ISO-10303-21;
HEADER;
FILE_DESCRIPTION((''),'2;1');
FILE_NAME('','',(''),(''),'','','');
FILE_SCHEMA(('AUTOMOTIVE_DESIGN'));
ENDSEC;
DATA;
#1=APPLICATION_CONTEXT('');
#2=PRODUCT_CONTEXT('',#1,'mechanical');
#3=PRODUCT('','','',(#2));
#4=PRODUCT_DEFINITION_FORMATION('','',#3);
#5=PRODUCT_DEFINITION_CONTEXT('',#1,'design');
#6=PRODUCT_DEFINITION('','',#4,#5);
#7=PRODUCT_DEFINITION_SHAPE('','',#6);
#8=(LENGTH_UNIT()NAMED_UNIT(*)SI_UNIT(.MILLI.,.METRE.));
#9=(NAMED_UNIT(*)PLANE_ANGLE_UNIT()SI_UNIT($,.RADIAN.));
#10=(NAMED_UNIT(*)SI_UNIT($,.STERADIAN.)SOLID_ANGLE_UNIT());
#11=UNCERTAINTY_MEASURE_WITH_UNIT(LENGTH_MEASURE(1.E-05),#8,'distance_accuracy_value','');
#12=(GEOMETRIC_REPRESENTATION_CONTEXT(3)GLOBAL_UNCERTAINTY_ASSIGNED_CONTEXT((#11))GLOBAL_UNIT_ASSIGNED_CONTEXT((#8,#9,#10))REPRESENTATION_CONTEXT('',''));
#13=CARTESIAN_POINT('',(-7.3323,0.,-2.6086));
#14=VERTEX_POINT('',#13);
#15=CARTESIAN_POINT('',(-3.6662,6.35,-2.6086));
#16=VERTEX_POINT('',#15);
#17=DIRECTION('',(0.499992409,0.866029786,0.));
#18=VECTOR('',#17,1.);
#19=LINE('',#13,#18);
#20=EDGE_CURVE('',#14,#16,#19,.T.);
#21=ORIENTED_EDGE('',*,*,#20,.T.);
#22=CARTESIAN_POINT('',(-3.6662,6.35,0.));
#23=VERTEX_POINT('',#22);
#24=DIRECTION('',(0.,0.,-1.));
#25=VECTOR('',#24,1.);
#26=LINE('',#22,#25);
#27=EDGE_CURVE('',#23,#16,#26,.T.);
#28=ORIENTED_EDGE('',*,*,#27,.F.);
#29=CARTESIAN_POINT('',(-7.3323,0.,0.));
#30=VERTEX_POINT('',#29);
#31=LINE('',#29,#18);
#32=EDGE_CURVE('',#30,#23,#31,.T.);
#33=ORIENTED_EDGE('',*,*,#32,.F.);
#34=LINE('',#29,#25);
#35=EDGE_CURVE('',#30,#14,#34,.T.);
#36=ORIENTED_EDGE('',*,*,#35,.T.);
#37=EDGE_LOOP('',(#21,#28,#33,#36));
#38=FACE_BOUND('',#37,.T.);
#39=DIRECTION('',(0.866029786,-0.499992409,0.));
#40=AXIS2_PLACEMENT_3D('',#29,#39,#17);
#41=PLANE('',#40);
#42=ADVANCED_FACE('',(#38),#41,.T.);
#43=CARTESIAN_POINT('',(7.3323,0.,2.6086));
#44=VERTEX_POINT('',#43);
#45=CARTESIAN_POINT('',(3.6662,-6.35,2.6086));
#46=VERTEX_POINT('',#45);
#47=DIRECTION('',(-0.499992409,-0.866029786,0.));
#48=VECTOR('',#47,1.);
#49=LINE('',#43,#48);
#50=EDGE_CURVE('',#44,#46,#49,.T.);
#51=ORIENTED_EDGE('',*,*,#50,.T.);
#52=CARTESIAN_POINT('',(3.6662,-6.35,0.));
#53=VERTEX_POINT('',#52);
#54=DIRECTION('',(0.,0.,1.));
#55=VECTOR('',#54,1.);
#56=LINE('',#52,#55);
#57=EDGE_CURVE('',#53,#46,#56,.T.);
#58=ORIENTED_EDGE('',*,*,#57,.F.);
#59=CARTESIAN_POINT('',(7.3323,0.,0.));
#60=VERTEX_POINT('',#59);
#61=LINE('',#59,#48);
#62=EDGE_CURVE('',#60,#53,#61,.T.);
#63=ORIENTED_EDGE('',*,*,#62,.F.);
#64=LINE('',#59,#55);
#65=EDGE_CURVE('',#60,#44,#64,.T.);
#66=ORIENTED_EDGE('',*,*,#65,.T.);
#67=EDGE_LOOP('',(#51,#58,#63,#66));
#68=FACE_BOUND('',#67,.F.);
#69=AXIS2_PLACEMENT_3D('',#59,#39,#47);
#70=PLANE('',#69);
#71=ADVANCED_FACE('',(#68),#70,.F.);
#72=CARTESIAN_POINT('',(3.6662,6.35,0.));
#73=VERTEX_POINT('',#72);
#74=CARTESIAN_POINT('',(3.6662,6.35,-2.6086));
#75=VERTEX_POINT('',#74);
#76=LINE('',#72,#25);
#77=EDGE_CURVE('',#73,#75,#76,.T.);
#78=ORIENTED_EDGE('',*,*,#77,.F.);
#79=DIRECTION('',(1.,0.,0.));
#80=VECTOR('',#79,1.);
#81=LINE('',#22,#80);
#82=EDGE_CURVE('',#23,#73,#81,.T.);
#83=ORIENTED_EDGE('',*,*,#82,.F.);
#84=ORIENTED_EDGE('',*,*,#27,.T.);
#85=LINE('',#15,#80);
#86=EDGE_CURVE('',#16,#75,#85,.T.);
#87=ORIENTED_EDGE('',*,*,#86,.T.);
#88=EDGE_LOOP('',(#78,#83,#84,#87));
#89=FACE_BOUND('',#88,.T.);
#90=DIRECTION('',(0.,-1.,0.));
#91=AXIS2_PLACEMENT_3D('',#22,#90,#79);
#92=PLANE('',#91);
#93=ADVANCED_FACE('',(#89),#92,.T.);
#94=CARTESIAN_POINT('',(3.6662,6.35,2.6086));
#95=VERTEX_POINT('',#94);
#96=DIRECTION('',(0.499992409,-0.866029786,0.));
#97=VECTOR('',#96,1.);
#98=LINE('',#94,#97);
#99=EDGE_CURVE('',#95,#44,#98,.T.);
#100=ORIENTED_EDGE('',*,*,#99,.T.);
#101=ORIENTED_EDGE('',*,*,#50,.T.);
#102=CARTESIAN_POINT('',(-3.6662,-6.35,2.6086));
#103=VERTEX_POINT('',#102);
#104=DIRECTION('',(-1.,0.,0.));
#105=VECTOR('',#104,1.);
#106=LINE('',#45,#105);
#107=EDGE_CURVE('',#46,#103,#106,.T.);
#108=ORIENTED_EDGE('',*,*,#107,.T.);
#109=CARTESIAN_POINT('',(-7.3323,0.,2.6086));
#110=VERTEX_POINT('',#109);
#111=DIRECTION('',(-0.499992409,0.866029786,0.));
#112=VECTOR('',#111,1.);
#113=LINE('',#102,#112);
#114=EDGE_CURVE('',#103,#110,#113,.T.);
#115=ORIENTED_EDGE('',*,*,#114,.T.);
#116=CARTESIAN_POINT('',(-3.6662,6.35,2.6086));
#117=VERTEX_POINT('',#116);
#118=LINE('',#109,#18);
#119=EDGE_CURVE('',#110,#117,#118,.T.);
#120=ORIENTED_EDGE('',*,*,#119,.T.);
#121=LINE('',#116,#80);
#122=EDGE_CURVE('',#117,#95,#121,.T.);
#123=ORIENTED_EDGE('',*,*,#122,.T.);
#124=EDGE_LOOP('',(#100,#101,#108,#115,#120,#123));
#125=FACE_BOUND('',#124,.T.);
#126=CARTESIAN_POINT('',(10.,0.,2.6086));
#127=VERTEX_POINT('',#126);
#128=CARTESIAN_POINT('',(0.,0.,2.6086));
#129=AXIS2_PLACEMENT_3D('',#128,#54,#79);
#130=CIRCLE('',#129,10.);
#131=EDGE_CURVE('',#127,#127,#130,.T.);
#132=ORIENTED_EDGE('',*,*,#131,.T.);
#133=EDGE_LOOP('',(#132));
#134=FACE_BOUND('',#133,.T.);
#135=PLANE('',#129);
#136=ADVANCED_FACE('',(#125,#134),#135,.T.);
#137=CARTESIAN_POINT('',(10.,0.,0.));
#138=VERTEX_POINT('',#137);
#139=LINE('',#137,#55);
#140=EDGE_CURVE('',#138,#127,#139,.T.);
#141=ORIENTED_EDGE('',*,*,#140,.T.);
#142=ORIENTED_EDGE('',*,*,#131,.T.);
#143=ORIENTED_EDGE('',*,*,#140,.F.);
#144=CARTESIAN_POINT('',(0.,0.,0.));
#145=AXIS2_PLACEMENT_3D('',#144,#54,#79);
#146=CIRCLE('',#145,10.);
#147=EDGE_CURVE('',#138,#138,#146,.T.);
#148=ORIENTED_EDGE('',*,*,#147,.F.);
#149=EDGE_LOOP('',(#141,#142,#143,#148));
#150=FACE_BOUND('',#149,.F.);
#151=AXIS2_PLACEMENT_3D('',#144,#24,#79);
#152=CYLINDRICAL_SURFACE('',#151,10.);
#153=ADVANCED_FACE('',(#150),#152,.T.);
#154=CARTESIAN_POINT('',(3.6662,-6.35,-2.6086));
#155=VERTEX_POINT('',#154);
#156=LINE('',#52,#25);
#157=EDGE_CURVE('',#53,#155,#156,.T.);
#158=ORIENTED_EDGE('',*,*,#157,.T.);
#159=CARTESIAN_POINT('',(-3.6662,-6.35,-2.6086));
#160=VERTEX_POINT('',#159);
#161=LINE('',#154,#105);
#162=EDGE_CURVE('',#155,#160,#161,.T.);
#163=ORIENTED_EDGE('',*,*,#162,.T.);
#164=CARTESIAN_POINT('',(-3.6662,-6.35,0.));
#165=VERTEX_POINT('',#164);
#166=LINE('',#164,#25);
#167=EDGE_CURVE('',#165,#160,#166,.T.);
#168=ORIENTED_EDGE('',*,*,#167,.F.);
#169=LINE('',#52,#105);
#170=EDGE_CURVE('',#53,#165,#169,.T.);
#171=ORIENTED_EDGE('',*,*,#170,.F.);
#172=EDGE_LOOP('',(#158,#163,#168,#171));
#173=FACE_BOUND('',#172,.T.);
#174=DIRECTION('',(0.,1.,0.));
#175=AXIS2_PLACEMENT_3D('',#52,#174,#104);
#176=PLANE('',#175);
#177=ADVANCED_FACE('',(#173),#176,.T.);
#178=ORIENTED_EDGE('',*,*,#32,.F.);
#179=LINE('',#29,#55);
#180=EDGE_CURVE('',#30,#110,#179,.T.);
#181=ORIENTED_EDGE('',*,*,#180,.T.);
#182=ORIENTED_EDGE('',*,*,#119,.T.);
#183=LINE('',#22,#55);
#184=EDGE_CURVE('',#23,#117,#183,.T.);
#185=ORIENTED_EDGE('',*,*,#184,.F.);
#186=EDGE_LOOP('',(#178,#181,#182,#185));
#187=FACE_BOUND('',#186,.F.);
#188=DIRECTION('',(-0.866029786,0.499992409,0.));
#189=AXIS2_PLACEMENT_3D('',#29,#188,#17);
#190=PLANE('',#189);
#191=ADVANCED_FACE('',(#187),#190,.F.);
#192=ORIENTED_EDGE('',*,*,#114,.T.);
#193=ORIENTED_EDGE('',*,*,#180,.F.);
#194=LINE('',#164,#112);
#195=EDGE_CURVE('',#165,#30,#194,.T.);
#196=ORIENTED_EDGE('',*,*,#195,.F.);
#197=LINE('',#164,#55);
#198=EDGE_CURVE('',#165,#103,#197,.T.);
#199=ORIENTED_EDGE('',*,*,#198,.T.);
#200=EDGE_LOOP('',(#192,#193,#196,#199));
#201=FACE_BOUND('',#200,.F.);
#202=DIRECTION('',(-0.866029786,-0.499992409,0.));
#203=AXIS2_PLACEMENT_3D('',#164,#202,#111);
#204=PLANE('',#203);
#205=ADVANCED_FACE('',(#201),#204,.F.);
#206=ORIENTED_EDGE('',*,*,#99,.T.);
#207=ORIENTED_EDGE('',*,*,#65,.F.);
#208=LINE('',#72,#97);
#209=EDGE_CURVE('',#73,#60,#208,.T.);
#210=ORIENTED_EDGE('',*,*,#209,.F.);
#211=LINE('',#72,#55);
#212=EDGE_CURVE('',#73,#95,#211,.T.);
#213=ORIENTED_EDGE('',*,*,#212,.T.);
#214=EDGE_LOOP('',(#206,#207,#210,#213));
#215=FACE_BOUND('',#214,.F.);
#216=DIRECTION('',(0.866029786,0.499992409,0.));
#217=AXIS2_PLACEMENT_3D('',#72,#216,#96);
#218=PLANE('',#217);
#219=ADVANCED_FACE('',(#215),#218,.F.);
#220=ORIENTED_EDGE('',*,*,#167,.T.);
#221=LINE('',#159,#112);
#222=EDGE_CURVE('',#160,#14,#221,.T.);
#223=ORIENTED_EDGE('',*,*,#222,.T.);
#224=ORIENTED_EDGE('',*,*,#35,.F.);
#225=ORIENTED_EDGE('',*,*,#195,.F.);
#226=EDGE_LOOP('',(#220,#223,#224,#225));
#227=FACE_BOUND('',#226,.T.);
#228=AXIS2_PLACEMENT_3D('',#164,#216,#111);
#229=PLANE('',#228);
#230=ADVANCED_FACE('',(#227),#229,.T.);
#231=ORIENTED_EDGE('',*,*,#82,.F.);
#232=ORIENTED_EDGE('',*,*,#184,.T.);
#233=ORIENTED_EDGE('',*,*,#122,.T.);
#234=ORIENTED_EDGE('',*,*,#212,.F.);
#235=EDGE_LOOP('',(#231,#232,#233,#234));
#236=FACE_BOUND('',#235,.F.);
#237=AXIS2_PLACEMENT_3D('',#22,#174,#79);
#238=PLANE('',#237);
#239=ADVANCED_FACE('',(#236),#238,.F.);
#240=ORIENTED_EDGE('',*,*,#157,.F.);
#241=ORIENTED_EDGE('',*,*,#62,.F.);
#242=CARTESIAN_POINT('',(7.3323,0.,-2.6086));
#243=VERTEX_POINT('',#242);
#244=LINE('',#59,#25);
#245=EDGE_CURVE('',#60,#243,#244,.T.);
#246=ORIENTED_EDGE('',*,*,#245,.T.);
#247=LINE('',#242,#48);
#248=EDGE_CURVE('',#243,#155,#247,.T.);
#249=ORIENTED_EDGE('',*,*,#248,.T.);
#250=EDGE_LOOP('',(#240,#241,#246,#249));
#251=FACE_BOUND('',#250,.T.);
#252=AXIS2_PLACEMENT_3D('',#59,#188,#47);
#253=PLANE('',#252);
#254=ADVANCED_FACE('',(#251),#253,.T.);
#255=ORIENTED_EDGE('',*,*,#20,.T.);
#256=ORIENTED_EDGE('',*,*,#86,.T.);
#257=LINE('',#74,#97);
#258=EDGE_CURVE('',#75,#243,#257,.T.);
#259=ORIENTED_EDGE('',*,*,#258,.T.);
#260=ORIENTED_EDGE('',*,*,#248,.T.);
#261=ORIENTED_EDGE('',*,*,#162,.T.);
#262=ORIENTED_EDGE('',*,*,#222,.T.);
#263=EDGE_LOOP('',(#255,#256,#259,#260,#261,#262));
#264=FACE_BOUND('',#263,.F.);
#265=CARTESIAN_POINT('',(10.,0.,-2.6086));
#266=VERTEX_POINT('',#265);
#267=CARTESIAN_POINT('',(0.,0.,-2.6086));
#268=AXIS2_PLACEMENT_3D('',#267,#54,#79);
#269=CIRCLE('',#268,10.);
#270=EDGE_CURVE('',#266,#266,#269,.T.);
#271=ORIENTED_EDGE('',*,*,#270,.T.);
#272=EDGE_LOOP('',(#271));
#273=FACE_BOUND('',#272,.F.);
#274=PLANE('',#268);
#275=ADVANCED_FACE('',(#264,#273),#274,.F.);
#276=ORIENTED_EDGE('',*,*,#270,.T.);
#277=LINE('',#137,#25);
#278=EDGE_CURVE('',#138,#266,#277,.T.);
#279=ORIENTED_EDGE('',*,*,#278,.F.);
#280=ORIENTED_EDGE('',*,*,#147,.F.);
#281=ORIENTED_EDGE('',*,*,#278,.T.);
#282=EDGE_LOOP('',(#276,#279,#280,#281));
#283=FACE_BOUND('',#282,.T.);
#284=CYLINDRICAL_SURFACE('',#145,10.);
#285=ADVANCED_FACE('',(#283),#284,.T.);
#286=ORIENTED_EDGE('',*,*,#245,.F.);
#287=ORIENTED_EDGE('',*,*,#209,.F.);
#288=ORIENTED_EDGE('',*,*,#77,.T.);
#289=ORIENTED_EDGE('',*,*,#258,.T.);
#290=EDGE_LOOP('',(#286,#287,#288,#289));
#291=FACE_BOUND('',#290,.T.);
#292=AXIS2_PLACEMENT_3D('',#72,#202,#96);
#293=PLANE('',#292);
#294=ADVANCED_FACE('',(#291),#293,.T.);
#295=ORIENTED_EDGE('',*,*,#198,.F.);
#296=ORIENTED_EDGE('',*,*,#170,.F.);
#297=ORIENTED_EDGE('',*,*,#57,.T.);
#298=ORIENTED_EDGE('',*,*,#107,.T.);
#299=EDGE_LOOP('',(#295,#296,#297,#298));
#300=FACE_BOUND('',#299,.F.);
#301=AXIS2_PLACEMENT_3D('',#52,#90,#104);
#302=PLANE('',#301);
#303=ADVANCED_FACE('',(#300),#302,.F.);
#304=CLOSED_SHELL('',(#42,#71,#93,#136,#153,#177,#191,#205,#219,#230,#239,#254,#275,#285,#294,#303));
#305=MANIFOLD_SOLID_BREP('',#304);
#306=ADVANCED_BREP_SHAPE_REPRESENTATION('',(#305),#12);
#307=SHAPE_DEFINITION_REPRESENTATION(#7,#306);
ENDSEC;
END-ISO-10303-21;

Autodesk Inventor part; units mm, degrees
ref_plane "YZ Plane" through (0, 0, 0) normal (1, 0, 0) x (0, 1, 0)
ref_plane "XZ Plane" through (0, 0, 0) normal (0, 1, 0) x (-1, 0, 0)
ref_plane "XY Plane" through (0, 0, 0) normal (0, 0, 1) x (1, 0, 0)
sketch "Sketch1" plane through (0, 0, 0) normal (0, 0, 1) x (1, 0, 0)
  circle A0 centre (0, 0) radius 10
  line L0 (-3.6662, 6.35) -> (3.6662, 6.35)
  line L1 (3.6662, 6.35) -> (7.3323, 0)
  line L2 (7.3323, 0) -> (3.6662, -6.35)
  line L3 (3.6662, -6.35) -> (-3.6662, -6.35)
  line L4 (-3.6662, -6.35) -> (-7.3323, 0)
  line L5 (-7.3323, 0) -> (-3.6662, 6.35)
  dimension "d0" = 12.7
  dimension "d1" = 20
extrude "Extrusion1" add sketch "Sketch1" along normal mid plane 5.2172
properties part number "PINION_SPACER_INTAKE" material "3D Print Material - chopped carbon Nylon12 (preferred)"
